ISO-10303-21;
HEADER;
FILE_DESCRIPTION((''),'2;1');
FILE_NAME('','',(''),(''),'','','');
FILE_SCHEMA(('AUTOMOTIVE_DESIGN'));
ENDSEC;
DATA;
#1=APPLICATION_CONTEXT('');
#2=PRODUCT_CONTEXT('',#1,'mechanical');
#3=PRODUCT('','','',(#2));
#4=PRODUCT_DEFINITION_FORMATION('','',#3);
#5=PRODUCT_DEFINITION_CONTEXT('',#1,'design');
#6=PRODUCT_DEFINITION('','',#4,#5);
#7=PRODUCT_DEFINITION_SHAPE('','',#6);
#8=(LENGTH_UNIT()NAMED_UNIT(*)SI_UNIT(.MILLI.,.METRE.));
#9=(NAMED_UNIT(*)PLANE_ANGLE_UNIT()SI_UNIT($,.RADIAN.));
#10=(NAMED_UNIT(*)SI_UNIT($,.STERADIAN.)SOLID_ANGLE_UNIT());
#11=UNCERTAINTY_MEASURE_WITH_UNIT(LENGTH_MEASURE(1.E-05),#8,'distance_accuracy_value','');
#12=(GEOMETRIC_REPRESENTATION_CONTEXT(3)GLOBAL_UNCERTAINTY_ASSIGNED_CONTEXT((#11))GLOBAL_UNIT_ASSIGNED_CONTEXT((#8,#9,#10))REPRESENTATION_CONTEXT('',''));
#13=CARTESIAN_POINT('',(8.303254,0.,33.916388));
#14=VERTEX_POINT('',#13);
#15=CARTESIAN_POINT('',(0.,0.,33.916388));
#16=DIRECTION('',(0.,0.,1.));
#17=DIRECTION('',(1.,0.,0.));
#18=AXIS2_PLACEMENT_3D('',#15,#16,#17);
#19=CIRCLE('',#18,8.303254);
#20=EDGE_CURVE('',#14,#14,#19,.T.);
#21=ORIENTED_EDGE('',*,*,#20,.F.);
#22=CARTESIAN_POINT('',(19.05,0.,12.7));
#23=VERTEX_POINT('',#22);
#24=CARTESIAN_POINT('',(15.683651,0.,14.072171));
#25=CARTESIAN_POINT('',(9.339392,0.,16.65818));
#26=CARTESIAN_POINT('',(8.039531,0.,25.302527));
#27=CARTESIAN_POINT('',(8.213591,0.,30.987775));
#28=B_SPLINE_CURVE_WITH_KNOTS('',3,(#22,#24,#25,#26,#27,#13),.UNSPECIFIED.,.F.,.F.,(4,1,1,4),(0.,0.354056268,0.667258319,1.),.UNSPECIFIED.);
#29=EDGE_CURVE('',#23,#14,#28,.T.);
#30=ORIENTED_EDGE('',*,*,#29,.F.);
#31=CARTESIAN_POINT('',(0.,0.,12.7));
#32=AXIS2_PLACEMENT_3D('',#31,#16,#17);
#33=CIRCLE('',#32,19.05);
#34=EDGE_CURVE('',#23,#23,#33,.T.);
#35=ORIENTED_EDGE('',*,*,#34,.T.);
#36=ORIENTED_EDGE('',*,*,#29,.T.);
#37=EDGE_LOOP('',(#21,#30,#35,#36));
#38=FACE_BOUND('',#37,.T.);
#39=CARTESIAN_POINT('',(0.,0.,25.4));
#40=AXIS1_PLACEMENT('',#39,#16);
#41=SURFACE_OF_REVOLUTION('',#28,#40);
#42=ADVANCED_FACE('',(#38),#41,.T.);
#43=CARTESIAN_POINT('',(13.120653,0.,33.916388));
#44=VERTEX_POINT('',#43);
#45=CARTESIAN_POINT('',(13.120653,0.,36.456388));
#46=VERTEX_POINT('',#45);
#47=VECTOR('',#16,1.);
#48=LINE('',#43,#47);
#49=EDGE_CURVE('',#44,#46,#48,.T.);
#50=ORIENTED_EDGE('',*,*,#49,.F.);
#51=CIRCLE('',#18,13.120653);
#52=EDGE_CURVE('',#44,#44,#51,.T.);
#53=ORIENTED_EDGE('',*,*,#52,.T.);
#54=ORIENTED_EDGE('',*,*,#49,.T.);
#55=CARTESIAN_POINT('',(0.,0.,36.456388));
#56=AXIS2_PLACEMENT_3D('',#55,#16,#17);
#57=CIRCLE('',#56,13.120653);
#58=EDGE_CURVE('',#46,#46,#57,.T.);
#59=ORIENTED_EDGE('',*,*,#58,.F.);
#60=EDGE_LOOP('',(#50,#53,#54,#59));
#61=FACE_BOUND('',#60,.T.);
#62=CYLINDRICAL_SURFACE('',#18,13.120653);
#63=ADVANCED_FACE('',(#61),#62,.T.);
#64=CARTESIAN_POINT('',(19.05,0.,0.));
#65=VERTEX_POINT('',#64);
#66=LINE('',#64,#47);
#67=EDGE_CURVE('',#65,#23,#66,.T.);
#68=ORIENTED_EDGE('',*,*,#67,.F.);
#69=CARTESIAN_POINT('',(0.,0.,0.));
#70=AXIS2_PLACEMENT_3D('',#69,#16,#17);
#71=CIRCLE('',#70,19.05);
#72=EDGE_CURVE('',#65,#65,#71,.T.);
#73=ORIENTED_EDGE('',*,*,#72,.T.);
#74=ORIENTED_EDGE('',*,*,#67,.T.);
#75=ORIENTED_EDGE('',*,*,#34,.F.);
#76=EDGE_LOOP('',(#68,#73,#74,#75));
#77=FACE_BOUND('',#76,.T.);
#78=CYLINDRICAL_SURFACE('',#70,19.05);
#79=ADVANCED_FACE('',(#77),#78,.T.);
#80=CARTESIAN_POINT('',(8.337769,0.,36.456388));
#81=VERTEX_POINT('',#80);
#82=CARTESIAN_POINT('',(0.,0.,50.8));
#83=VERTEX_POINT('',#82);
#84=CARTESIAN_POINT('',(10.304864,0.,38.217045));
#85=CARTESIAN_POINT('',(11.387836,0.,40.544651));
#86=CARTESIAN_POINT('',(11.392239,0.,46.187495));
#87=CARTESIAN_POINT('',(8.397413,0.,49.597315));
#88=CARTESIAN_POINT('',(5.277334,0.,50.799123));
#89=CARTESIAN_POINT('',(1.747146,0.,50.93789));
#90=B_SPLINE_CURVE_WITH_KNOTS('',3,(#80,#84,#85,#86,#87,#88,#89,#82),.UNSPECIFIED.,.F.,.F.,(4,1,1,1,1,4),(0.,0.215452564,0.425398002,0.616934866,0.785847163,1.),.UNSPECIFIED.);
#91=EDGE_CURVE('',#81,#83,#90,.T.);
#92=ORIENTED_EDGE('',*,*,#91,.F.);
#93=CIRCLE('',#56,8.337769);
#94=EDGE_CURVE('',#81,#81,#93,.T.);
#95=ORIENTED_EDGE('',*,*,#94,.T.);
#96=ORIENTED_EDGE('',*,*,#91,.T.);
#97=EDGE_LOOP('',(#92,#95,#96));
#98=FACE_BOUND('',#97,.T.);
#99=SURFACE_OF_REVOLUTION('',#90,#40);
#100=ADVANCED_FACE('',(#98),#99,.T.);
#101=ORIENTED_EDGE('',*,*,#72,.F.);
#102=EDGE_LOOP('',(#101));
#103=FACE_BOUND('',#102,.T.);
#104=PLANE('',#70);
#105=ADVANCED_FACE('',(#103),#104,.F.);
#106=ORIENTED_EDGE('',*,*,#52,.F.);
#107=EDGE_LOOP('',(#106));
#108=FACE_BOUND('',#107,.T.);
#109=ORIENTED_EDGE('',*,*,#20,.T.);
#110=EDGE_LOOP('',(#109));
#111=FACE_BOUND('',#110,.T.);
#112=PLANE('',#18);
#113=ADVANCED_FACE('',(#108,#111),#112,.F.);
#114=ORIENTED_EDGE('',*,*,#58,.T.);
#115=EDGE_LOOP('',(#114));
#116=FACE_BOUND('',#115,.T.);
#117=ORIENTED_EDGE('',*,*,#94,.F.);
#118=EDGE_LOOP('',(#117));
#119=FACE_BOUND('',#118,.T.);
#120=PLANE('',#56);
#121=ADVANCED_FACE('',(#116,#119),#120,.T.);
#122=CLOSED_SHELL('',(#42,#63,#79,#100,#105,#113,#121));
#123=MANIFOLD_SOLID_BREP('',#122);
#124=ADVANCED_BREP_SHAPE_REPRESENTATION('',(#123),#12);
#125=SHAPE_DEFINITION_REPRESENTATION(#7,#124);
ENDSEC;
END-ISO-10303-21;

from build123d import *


with BuildPart() as f1:
    # F0 (on Front) → F1 (revolve)
    with BuildSketch(Plane.XZ):
        Polygon((0, 36.456387707), (0, 33.916387707), (8.3032539114, 33.916387707), (13.1206531078, 33.916387707), (13.1206531078, 36.456387707), (8.3377687261, 36.456387707), align=None)
        with BuildLine():
            Line((0, 33.916387707), (0, 0))
            Line((0, 0), (19.05, 0))
            Line((19.05, 0), (19.05, 12.7))
            add(Edge.make_bspline(
                [(19.05, 12.7), (15.6836506907, 14.0721710831), (9.3393919334, 16.6581797265), (8.0395309284, 25.3025272106), (8.2135911581, 30.9877751162), (8.3032539114, 33.916387707)],
                knots=[0, 0, 0, 0, 0.3540562683, 0.6672583189, 1, 1, 1, 1], degree=3))
            Line((8.3032539114, 33.916387707), (0, 33.916387707))
        make_face()
        with BuildLine():
            Line((0, 50.8), (0, 36.456387707))
            Line((0, 36.456387707), (8.3377687261, 36.456387707))
            add(Edge.make_bspline(
                [(8.3377687261, 36.456387707), (10.3048640053, 38.2170454213), (11.3878356839, 40.544651372), (11.392239415, 46.1874953748), (8.3974127327, 49.5973153016), (5.2773343635, 50.7991233773), (1.7471459357, 50.9378901576), (0, 50.8)],
                knots=[0, 0, 0, 0, 0.2154525637, 0.4253980018, 0.6169348664, 0.7858471635, 1, 1, 1, 1], degree=3))
        make_face()
    revolve(axis=Axis((0, 0, 25.4), (0, 0, 1)))


solid = f1.part
